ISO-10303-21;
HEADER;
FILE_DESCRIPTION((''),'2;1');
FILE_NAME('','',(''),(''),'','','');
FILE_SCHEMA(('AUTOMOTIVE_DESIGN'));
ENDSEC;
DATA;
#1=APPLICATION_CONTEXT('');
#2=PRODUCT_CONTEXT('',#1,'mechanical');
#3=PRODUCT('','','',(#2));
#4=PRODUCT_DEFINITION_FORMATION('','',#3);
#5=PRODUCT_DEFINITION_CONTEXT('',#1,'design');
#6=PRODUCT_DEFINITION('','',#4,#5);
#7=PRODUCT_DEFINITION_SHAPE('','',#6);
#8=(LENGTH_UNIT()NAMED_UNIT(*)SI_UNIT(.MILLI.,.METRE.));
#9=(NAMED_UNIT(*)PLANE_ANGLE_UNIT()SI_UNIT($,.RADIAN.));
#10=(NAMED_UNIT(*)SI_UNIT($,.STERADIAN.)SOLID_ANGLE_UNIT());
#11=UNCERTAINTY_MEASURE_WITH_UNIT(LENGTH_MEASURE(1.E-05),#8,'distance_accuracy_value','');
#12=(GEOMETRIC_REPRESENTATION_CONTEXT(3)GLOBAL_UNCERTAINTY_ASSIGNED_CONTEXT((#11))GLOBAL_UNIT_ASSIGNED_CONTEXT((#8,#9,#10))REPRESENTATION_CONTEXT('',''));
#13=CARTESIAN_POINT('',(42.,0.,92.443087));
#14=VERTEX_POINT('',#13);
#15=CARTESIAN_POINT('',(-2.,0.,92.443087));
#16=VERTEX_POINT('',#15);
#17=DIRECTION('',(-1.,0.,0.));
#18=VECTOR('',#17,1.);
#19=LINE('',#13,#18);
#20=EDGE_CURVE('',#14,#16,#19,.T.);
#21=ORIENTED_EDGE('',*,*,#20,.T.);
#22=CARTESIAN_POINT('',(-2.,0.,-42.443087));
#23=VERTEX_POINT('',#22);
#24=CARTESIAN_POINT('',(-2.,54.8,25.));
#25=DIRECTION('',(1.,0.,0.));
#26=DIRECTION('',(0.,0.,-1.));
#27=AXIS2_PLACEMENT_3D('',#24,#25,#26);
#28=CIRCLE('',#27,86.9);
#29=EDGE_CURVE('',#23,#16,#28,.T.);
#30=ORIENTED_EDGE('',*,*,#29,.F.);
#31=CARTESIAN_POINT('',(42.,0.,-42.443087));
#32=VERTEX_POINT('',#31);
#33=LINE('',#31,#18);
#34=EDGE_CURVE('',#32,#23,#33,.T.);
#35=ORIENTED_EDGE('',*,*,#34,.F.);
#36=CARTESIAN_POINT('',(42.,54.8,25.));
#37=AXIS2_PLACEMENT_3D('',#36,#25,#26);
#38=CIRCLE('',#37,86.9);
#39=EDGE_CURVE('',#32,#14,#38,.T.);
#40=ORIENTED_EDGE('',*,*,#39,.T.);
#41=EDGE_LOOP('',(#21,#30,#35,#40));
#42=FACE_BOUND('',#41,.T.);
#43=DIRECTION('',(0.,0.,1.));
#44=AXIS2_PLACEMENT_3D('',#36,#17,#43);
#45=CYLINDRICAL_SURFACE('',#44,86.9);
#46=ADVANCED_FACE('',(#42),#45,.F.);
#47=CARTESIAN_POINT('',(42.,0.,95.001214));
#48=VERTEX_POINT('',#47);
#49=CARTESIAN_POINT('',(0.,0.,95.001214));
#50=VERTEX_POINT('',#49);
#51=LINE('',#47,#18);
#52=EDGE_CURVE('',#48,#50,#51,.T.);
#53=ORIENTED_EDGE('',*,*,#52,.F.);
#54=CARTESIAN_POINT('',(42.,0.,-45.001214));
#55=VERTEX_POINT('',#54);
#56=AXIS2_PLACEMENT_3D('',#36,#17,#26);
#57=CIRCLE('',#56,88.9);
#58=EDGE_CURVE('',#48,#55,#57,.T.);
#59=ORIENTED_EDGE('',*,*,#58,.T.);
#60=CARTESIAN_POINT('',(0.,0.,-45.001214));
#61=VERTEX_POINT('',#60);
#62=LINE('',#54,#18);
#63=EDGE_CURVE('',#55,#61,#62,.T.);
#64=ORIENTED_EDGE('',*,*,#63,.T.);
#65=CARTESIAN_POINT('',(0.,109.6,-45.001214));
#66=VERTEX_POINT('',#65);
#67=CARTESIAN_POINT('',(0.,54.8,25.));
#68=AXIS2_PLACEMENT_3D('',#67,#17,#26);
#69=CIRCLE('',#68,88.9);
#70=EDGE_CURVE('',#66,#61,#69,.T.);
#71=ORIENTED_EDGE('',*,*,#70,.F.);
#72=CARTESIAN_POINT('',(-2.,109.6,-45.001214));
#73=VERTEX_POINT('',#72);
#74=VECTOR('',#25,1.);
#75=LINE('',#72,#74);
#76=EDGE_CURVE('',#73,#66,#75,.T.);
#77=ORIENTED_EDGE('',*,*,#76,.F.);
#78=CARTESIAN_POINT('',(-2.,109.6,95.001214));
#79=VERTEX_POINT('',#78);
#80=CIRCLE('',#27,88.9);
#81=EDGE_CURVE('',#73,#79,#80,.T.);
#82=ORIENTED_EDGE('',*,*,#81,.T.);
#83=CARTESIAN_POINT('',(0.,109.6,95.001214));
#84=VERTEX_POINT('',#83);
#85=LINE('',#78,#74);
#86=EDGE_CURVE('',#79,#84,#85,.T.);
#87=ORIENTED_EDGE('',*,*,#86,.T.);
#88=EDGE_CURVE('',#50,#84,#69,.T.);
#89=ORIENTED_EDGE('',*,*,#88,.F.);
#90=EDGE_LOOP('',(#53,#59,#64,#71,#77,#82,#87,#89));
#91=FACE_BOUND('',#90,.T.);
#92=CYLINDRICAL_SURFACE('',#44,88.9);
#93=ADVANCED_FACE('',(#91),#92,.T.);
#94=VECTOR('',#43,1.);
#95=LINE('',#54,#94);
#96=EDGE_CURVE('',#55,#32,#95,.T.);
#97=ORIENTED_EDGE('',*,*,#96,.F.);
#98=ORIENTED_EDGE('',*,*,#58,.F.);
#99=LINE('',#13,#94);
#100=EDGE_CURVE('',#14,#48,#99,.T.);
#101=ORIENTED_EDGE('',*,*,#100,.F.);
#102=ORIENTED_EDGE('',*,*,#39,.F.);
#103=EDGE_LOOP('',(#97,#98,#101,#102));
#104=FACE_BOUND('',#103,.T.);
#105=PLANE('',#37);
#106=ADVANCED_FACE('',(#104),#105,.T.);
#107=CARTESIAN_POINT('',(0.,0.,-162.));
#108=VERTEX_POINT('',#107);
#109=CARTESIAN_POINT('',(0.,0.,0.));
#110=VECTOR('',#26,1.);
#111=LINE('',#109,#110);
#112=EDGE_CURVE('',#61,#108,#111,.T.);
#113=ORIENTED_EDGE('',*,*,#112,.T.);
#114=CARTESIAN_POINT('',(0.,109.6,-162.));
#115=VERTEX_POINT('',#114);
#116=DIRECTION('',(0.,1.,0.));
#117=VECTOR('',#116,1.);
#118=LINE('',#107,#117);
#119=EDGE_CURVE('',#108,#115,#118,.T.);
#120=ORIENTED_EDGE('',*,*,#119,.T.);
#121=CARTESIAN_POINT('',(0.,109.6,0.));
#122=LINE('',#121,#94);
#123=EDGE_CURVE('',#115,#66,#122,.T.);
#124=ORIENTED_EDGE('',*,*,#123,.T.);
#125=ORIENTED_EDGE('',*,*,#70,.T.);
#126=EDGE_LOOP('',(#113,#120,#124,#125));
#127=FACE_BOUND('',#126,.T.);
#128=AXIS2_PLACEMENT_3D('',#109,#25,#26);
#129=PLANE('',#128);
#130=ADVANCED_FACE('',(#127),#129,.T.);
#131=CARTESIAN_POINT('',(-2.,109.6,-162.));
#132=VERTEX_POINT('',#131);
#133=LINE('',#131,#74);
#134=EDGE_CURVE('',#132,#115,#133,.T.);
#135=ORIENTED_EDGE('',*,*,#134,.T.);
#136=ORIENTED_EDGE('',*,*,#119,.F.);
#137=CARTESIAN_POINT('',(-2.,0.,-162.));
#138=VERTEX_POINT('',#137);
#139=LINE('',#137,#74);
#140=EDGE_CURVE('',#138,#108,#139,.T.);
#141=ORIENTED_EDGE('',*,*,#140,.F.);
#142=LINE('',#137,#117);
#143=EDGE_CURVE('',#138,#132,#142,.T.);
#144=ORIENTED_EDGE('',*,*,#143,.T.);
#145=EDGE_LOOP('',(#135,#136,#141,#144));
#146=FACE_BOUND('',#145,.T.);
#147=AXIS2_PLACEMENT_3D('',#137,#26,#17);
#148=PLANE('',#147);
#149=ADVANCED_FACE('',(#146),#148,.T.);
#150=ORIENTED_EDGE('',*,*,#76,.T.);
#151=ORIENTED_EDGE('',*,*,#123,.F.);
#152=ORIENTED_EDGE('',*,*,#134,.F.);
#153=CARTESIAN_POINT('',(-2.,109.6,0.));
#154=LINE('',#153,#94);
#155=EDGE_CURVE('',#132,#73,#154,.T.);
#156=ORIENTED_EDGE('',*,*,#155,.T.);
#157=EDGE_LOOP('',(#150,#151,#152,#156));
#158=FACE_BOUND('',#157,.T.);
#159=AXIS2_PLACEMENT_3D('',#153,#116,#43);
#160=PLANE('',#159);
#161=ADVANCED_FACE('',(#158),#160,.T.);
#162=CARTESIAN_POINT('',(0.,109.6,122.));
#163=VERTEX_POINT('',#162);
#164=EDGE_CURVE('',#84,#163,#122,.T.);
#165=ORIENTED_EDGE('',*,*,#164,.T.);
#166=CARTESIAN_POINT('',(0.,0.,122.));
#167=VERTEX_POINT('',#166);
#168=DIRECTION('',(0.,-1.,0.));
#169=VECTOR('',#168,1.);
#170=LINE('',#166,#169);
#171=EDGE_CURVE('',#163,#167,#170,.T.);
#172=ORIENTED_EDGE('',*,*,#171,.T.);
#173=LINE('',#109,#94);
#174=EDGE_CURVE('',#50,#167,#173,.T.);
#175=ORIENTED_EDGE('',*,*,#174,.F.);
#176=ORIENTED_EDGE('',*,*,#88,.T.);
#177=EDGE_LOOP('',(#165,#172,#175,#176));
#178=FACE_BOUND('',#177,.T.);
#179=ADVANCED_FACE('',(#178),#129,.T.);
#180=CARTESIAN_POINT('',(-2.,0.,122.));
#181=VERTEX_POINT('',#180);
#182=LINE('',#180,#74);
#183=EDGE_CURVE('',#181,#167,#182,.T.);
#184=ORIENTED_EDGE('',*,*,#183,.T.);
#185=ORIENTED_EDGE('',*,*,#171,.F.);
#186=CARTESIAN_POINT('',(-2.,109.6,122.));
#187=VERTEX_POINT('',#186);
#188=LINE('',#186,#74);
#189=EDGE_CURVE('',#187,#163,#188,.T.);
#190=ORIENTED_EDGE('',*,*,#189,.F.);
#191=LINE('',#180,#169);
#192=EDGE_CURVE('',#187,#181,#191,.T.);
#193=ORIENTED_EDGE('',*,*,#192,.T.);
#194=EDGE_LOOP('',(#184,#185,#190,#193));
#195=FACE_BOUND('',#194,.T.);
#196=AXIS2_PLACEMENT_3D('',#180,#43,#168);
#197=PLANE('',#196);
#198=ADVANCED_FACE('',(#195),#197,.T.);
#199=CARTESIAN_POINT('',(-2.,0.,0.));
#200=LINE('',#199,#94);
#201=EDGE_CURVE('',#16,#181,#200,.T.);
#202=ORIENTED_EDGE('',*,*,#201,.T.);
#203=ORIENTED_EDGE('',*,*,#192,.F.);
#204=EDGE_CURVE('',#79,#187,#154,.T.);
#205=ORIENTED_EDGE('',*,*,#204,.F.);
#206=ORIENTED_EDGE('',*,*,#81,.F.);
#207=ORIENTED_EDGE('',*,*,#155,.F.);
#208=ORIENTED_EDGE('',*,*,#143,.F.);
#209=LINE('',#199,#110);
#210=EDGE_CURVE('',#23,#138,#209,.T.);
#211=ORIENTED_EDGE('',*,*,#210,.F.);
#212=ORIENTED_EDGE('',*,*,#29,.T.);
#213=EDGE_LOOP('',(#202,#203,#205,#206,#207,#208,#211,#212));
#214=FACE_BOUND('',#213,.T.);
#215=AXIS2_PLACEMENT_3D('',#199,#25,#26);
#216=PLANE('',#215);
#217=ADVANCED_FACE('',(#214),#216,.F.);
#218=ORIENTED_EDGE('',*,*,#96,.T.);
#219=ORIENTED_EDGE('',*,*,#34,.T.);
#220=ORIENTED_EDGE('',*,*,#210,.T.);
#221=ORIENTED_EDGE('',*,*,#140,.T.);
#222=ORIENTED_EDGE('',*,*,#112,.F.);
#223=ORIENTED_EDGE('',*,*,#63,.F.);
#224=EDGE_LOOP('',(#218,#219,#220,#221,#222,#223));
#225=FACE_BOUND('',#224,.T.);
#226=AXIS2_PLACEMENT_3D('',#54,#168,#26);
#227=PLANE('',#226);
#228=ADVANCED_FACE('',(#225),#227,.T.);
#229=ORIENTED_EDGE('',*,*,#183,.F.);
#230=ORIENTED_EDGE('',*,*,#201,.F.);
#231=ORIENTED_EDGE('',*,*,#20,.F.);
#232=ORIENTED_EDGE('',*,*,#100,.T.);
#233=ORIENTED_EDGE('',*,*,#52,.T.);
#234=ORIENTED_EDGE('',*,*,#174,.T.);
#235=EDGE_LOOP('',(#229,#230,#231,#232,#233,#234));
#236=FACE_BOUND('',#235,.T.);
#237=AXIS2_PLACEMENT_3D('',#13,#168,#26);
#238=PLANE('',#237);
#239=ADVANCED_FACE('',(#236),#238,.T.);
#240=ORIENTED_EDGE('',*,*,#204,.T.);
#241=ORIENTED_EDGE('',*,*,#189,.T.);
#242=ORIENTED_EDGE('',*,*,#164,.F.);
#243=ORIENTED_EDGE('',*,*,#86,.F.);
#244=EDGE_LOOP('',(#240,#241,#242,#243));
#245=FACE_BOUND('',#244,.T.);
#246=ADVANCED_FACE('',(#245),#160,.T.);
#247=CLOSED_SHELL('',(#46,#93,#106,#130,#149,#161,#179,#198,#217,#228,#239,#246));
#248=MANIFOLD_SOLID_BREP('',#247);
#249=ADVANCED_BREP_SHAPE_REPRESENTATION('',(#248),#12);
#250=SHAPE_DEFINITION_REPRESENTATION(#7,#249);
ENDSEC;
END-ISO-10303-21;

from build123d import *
from build123d.topology import SkipClean

# Parameters (mm, degrees)
BOSS_EXTRUDE1_DEPTH = 42.000000074
BOSS_EXTRUDE2_START = 2.000000064
BOSS_EXTRUDE2_DEPTH = 2.000000064


with BuildPart() as part:
    # Sketch1 → Boss-Extrude1 (new body)
    with BuildSketch(Plane.ZY):
        with BuildLine():
            Line((-45.001214275, 0), (-42.443087035, 0))
            ThreePointArc((-42.443087035, 0), (25, 141.699999936), (92.443087035, 0))
            Line((92.443087035, 0), (95.001214275, 0))
            ThreePointArc((95.001214275, 0), (25, 143.7), (-45.001214275, 0))
        make_face()
    extrude(amount=-BOSS_EXTRUDE1_DEPTH)

    # Sketch2 → Boss-Extrude2 (add)
    with SkipClean():  # the faces are left unmerged after this step: merging them gives an invalid solid
        with BuildSketch(Plane.ZY.offset(BOSS_EXTRUDE2_START)):
            with BuildLine():
                Line((-160, 0), (-45.001214275, 0))
                ThreePointArc((-45.001214275, 0), (-63.9, 54.8), (-45.001214275, 109.6))
                Line((-45.001214275, 109.6), (-160, 109.6))
                Line((-160, 109.6), (-162.000000064, 109.6))
                Line((-162.000000064, 109.6), (-162.000000064, 0))
                Line((-162.000000064, 0), (-160, 0))
            make_face()
            with BuildLine():
                ThreePointArc((-45.001214275, 0), (25, 143.7), (95.001214275, 0))
                Line((95.001214275, 0), (92.443087035, 0))
                ThreePointArc((92.443087035, 0), (25, 141.699999936), (-42.443087035, 0))
                Line((-42.443087035, 0), (-45.001214275, 0))
            make_face()
            with BuildLine():
                ThreePointArc((95.001214275, 109.6), (113.9, 54.8), (95.001214275, 0))
                Line((95.001214275, 0), (120, 0))
                Line((120, 0), (122.000000064, 0))
                Line((122.000000064, 0), (122.000000064, 109.6))
                Line((122.000000064, 109.6), (120, 109.6))
                Line((120, 109.6), (95.001214275, 109.6))
            make_face()
        extrude(amount=-BOSS_EXTRUDE2_DEPTH)


solid = part.part
